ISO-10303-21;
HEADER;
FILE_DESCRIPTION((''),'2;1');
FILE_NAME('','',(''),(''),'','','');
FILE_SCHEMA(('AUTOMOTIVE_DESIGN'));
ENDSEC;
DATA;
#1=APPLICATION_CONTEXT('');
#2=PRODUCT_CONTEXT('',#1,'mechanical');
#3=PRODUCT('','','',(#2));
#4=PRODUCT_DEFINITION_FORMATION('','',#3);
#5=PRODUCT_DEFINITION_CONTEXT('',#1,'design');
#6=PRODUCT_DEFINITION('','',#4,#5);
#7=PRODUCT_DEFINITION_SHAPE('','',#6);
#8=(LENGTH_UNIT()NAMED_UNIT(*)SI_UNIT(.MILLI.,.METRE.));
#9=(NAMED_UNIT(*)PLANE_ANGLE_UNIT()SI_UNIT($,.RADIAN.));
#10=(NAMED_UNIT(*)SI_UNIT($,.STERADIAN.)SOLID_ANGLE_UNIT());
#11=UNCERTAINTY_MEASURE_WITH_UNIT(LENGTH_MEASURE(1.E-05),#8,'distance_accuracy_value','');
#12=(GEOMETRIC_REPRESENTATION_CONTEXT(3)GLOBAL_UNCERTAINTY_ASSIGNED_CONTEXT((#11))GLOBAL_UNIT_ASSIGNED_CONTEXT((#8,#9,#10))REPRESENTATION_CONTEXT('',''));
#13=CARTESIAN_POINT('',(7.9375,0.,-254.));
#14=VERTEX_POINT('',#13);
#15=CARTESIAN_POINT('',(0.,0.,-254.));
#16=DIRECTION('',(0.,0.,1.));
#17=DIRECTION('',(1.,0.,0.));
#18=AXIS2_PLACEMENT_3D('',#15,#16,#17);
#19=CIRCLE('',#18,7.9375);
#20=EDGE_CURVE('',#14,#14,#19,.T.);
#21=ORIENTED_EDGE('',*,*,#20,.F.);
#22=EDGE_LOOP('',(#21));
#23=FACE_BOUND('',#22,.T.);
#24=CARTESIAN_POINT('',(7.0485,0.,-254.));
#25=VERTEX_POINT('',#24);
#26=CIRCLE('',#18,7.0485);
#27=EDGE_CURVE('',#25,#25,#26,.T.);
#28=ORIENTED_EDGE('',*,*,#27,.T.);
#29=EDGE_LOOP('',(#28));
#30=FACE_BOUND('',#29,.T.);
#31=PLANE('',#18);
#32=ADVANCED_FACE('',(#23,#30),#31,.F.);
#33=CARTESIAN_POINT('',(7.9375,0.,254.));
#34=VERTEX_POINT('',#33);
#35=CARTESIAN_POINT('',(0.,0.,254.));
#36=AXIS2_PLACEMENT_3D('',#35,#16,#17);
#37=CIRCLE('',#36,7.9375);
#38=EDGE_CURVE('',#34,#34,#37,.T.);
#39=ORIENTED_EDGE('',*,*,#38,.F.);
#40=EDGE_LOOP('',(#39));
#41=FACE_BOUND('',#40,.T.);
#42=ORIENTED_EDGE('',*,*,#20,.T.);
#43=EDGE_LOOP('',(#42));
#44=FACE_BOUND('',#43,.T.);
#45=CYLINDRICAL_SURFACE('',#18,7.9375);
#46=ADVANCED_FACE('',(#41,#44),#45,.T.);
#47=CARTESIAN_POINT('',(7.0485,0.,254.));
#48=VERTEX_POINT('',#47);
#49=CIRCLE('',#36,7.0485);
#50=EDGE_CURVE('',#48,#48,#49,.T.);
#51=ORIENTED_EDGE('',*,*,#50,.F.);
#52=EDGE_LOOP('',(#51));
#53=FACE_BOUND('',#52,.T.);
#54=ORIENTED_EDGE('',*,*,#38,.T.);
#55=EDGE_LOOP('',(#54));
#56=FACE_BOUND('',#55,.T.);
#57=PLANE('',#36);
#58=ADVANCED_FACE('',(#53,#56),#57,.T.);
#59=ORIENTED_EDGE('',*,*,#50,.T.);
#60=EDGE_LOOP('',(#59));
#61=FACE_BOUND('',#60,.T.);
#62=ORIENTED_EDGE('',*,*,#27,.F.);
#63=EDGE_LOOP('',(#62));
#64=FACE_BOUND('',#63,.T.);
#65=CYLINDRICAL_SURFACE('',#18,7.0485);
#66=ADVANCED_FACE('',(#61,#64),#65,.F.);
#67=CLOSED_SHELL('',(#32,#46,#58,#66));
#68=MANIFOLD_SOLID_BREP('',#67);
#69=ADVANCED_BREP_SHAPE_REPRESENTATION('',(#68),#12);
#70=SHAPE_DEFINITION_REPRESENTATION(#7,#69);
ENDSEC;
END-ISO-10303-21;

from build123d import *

# Parameters (mm, degrees)
EXTRUDE_TUBE_BODY_DEPTH       = 254
EXTRUDE_TUBE_BODY_DEPTH_BACK  = 254
SKETCH_TUBE_CROSS_SECTION_R   = 7.9375
SKETCH_TUBE_CROSS_SECTION_R_2 = 7.0485


with BuildPart() as part:
    # Sketch - Tube cross section → Extrude - Tube body (new, two sides: drawn at the far end of the back side and taken through both)
    with BuildSketch(Plane.XY.offset(-EXTRUDE_TUBE_BODY_DEPTH_BACK)):
        Circle(SKETCH_TUBE_CROSS_SECTION_R)
        Circle(SKETCH_TUBE_CROSS_SECTION_R_2, mode=Mode.SUBTRACT)
    extrude(amount=EXTRUDE_TUBE_BODY_DEPTH + EXTRUDE_TUBE_BODY_DEPTH_BACK)


solid = part.part
